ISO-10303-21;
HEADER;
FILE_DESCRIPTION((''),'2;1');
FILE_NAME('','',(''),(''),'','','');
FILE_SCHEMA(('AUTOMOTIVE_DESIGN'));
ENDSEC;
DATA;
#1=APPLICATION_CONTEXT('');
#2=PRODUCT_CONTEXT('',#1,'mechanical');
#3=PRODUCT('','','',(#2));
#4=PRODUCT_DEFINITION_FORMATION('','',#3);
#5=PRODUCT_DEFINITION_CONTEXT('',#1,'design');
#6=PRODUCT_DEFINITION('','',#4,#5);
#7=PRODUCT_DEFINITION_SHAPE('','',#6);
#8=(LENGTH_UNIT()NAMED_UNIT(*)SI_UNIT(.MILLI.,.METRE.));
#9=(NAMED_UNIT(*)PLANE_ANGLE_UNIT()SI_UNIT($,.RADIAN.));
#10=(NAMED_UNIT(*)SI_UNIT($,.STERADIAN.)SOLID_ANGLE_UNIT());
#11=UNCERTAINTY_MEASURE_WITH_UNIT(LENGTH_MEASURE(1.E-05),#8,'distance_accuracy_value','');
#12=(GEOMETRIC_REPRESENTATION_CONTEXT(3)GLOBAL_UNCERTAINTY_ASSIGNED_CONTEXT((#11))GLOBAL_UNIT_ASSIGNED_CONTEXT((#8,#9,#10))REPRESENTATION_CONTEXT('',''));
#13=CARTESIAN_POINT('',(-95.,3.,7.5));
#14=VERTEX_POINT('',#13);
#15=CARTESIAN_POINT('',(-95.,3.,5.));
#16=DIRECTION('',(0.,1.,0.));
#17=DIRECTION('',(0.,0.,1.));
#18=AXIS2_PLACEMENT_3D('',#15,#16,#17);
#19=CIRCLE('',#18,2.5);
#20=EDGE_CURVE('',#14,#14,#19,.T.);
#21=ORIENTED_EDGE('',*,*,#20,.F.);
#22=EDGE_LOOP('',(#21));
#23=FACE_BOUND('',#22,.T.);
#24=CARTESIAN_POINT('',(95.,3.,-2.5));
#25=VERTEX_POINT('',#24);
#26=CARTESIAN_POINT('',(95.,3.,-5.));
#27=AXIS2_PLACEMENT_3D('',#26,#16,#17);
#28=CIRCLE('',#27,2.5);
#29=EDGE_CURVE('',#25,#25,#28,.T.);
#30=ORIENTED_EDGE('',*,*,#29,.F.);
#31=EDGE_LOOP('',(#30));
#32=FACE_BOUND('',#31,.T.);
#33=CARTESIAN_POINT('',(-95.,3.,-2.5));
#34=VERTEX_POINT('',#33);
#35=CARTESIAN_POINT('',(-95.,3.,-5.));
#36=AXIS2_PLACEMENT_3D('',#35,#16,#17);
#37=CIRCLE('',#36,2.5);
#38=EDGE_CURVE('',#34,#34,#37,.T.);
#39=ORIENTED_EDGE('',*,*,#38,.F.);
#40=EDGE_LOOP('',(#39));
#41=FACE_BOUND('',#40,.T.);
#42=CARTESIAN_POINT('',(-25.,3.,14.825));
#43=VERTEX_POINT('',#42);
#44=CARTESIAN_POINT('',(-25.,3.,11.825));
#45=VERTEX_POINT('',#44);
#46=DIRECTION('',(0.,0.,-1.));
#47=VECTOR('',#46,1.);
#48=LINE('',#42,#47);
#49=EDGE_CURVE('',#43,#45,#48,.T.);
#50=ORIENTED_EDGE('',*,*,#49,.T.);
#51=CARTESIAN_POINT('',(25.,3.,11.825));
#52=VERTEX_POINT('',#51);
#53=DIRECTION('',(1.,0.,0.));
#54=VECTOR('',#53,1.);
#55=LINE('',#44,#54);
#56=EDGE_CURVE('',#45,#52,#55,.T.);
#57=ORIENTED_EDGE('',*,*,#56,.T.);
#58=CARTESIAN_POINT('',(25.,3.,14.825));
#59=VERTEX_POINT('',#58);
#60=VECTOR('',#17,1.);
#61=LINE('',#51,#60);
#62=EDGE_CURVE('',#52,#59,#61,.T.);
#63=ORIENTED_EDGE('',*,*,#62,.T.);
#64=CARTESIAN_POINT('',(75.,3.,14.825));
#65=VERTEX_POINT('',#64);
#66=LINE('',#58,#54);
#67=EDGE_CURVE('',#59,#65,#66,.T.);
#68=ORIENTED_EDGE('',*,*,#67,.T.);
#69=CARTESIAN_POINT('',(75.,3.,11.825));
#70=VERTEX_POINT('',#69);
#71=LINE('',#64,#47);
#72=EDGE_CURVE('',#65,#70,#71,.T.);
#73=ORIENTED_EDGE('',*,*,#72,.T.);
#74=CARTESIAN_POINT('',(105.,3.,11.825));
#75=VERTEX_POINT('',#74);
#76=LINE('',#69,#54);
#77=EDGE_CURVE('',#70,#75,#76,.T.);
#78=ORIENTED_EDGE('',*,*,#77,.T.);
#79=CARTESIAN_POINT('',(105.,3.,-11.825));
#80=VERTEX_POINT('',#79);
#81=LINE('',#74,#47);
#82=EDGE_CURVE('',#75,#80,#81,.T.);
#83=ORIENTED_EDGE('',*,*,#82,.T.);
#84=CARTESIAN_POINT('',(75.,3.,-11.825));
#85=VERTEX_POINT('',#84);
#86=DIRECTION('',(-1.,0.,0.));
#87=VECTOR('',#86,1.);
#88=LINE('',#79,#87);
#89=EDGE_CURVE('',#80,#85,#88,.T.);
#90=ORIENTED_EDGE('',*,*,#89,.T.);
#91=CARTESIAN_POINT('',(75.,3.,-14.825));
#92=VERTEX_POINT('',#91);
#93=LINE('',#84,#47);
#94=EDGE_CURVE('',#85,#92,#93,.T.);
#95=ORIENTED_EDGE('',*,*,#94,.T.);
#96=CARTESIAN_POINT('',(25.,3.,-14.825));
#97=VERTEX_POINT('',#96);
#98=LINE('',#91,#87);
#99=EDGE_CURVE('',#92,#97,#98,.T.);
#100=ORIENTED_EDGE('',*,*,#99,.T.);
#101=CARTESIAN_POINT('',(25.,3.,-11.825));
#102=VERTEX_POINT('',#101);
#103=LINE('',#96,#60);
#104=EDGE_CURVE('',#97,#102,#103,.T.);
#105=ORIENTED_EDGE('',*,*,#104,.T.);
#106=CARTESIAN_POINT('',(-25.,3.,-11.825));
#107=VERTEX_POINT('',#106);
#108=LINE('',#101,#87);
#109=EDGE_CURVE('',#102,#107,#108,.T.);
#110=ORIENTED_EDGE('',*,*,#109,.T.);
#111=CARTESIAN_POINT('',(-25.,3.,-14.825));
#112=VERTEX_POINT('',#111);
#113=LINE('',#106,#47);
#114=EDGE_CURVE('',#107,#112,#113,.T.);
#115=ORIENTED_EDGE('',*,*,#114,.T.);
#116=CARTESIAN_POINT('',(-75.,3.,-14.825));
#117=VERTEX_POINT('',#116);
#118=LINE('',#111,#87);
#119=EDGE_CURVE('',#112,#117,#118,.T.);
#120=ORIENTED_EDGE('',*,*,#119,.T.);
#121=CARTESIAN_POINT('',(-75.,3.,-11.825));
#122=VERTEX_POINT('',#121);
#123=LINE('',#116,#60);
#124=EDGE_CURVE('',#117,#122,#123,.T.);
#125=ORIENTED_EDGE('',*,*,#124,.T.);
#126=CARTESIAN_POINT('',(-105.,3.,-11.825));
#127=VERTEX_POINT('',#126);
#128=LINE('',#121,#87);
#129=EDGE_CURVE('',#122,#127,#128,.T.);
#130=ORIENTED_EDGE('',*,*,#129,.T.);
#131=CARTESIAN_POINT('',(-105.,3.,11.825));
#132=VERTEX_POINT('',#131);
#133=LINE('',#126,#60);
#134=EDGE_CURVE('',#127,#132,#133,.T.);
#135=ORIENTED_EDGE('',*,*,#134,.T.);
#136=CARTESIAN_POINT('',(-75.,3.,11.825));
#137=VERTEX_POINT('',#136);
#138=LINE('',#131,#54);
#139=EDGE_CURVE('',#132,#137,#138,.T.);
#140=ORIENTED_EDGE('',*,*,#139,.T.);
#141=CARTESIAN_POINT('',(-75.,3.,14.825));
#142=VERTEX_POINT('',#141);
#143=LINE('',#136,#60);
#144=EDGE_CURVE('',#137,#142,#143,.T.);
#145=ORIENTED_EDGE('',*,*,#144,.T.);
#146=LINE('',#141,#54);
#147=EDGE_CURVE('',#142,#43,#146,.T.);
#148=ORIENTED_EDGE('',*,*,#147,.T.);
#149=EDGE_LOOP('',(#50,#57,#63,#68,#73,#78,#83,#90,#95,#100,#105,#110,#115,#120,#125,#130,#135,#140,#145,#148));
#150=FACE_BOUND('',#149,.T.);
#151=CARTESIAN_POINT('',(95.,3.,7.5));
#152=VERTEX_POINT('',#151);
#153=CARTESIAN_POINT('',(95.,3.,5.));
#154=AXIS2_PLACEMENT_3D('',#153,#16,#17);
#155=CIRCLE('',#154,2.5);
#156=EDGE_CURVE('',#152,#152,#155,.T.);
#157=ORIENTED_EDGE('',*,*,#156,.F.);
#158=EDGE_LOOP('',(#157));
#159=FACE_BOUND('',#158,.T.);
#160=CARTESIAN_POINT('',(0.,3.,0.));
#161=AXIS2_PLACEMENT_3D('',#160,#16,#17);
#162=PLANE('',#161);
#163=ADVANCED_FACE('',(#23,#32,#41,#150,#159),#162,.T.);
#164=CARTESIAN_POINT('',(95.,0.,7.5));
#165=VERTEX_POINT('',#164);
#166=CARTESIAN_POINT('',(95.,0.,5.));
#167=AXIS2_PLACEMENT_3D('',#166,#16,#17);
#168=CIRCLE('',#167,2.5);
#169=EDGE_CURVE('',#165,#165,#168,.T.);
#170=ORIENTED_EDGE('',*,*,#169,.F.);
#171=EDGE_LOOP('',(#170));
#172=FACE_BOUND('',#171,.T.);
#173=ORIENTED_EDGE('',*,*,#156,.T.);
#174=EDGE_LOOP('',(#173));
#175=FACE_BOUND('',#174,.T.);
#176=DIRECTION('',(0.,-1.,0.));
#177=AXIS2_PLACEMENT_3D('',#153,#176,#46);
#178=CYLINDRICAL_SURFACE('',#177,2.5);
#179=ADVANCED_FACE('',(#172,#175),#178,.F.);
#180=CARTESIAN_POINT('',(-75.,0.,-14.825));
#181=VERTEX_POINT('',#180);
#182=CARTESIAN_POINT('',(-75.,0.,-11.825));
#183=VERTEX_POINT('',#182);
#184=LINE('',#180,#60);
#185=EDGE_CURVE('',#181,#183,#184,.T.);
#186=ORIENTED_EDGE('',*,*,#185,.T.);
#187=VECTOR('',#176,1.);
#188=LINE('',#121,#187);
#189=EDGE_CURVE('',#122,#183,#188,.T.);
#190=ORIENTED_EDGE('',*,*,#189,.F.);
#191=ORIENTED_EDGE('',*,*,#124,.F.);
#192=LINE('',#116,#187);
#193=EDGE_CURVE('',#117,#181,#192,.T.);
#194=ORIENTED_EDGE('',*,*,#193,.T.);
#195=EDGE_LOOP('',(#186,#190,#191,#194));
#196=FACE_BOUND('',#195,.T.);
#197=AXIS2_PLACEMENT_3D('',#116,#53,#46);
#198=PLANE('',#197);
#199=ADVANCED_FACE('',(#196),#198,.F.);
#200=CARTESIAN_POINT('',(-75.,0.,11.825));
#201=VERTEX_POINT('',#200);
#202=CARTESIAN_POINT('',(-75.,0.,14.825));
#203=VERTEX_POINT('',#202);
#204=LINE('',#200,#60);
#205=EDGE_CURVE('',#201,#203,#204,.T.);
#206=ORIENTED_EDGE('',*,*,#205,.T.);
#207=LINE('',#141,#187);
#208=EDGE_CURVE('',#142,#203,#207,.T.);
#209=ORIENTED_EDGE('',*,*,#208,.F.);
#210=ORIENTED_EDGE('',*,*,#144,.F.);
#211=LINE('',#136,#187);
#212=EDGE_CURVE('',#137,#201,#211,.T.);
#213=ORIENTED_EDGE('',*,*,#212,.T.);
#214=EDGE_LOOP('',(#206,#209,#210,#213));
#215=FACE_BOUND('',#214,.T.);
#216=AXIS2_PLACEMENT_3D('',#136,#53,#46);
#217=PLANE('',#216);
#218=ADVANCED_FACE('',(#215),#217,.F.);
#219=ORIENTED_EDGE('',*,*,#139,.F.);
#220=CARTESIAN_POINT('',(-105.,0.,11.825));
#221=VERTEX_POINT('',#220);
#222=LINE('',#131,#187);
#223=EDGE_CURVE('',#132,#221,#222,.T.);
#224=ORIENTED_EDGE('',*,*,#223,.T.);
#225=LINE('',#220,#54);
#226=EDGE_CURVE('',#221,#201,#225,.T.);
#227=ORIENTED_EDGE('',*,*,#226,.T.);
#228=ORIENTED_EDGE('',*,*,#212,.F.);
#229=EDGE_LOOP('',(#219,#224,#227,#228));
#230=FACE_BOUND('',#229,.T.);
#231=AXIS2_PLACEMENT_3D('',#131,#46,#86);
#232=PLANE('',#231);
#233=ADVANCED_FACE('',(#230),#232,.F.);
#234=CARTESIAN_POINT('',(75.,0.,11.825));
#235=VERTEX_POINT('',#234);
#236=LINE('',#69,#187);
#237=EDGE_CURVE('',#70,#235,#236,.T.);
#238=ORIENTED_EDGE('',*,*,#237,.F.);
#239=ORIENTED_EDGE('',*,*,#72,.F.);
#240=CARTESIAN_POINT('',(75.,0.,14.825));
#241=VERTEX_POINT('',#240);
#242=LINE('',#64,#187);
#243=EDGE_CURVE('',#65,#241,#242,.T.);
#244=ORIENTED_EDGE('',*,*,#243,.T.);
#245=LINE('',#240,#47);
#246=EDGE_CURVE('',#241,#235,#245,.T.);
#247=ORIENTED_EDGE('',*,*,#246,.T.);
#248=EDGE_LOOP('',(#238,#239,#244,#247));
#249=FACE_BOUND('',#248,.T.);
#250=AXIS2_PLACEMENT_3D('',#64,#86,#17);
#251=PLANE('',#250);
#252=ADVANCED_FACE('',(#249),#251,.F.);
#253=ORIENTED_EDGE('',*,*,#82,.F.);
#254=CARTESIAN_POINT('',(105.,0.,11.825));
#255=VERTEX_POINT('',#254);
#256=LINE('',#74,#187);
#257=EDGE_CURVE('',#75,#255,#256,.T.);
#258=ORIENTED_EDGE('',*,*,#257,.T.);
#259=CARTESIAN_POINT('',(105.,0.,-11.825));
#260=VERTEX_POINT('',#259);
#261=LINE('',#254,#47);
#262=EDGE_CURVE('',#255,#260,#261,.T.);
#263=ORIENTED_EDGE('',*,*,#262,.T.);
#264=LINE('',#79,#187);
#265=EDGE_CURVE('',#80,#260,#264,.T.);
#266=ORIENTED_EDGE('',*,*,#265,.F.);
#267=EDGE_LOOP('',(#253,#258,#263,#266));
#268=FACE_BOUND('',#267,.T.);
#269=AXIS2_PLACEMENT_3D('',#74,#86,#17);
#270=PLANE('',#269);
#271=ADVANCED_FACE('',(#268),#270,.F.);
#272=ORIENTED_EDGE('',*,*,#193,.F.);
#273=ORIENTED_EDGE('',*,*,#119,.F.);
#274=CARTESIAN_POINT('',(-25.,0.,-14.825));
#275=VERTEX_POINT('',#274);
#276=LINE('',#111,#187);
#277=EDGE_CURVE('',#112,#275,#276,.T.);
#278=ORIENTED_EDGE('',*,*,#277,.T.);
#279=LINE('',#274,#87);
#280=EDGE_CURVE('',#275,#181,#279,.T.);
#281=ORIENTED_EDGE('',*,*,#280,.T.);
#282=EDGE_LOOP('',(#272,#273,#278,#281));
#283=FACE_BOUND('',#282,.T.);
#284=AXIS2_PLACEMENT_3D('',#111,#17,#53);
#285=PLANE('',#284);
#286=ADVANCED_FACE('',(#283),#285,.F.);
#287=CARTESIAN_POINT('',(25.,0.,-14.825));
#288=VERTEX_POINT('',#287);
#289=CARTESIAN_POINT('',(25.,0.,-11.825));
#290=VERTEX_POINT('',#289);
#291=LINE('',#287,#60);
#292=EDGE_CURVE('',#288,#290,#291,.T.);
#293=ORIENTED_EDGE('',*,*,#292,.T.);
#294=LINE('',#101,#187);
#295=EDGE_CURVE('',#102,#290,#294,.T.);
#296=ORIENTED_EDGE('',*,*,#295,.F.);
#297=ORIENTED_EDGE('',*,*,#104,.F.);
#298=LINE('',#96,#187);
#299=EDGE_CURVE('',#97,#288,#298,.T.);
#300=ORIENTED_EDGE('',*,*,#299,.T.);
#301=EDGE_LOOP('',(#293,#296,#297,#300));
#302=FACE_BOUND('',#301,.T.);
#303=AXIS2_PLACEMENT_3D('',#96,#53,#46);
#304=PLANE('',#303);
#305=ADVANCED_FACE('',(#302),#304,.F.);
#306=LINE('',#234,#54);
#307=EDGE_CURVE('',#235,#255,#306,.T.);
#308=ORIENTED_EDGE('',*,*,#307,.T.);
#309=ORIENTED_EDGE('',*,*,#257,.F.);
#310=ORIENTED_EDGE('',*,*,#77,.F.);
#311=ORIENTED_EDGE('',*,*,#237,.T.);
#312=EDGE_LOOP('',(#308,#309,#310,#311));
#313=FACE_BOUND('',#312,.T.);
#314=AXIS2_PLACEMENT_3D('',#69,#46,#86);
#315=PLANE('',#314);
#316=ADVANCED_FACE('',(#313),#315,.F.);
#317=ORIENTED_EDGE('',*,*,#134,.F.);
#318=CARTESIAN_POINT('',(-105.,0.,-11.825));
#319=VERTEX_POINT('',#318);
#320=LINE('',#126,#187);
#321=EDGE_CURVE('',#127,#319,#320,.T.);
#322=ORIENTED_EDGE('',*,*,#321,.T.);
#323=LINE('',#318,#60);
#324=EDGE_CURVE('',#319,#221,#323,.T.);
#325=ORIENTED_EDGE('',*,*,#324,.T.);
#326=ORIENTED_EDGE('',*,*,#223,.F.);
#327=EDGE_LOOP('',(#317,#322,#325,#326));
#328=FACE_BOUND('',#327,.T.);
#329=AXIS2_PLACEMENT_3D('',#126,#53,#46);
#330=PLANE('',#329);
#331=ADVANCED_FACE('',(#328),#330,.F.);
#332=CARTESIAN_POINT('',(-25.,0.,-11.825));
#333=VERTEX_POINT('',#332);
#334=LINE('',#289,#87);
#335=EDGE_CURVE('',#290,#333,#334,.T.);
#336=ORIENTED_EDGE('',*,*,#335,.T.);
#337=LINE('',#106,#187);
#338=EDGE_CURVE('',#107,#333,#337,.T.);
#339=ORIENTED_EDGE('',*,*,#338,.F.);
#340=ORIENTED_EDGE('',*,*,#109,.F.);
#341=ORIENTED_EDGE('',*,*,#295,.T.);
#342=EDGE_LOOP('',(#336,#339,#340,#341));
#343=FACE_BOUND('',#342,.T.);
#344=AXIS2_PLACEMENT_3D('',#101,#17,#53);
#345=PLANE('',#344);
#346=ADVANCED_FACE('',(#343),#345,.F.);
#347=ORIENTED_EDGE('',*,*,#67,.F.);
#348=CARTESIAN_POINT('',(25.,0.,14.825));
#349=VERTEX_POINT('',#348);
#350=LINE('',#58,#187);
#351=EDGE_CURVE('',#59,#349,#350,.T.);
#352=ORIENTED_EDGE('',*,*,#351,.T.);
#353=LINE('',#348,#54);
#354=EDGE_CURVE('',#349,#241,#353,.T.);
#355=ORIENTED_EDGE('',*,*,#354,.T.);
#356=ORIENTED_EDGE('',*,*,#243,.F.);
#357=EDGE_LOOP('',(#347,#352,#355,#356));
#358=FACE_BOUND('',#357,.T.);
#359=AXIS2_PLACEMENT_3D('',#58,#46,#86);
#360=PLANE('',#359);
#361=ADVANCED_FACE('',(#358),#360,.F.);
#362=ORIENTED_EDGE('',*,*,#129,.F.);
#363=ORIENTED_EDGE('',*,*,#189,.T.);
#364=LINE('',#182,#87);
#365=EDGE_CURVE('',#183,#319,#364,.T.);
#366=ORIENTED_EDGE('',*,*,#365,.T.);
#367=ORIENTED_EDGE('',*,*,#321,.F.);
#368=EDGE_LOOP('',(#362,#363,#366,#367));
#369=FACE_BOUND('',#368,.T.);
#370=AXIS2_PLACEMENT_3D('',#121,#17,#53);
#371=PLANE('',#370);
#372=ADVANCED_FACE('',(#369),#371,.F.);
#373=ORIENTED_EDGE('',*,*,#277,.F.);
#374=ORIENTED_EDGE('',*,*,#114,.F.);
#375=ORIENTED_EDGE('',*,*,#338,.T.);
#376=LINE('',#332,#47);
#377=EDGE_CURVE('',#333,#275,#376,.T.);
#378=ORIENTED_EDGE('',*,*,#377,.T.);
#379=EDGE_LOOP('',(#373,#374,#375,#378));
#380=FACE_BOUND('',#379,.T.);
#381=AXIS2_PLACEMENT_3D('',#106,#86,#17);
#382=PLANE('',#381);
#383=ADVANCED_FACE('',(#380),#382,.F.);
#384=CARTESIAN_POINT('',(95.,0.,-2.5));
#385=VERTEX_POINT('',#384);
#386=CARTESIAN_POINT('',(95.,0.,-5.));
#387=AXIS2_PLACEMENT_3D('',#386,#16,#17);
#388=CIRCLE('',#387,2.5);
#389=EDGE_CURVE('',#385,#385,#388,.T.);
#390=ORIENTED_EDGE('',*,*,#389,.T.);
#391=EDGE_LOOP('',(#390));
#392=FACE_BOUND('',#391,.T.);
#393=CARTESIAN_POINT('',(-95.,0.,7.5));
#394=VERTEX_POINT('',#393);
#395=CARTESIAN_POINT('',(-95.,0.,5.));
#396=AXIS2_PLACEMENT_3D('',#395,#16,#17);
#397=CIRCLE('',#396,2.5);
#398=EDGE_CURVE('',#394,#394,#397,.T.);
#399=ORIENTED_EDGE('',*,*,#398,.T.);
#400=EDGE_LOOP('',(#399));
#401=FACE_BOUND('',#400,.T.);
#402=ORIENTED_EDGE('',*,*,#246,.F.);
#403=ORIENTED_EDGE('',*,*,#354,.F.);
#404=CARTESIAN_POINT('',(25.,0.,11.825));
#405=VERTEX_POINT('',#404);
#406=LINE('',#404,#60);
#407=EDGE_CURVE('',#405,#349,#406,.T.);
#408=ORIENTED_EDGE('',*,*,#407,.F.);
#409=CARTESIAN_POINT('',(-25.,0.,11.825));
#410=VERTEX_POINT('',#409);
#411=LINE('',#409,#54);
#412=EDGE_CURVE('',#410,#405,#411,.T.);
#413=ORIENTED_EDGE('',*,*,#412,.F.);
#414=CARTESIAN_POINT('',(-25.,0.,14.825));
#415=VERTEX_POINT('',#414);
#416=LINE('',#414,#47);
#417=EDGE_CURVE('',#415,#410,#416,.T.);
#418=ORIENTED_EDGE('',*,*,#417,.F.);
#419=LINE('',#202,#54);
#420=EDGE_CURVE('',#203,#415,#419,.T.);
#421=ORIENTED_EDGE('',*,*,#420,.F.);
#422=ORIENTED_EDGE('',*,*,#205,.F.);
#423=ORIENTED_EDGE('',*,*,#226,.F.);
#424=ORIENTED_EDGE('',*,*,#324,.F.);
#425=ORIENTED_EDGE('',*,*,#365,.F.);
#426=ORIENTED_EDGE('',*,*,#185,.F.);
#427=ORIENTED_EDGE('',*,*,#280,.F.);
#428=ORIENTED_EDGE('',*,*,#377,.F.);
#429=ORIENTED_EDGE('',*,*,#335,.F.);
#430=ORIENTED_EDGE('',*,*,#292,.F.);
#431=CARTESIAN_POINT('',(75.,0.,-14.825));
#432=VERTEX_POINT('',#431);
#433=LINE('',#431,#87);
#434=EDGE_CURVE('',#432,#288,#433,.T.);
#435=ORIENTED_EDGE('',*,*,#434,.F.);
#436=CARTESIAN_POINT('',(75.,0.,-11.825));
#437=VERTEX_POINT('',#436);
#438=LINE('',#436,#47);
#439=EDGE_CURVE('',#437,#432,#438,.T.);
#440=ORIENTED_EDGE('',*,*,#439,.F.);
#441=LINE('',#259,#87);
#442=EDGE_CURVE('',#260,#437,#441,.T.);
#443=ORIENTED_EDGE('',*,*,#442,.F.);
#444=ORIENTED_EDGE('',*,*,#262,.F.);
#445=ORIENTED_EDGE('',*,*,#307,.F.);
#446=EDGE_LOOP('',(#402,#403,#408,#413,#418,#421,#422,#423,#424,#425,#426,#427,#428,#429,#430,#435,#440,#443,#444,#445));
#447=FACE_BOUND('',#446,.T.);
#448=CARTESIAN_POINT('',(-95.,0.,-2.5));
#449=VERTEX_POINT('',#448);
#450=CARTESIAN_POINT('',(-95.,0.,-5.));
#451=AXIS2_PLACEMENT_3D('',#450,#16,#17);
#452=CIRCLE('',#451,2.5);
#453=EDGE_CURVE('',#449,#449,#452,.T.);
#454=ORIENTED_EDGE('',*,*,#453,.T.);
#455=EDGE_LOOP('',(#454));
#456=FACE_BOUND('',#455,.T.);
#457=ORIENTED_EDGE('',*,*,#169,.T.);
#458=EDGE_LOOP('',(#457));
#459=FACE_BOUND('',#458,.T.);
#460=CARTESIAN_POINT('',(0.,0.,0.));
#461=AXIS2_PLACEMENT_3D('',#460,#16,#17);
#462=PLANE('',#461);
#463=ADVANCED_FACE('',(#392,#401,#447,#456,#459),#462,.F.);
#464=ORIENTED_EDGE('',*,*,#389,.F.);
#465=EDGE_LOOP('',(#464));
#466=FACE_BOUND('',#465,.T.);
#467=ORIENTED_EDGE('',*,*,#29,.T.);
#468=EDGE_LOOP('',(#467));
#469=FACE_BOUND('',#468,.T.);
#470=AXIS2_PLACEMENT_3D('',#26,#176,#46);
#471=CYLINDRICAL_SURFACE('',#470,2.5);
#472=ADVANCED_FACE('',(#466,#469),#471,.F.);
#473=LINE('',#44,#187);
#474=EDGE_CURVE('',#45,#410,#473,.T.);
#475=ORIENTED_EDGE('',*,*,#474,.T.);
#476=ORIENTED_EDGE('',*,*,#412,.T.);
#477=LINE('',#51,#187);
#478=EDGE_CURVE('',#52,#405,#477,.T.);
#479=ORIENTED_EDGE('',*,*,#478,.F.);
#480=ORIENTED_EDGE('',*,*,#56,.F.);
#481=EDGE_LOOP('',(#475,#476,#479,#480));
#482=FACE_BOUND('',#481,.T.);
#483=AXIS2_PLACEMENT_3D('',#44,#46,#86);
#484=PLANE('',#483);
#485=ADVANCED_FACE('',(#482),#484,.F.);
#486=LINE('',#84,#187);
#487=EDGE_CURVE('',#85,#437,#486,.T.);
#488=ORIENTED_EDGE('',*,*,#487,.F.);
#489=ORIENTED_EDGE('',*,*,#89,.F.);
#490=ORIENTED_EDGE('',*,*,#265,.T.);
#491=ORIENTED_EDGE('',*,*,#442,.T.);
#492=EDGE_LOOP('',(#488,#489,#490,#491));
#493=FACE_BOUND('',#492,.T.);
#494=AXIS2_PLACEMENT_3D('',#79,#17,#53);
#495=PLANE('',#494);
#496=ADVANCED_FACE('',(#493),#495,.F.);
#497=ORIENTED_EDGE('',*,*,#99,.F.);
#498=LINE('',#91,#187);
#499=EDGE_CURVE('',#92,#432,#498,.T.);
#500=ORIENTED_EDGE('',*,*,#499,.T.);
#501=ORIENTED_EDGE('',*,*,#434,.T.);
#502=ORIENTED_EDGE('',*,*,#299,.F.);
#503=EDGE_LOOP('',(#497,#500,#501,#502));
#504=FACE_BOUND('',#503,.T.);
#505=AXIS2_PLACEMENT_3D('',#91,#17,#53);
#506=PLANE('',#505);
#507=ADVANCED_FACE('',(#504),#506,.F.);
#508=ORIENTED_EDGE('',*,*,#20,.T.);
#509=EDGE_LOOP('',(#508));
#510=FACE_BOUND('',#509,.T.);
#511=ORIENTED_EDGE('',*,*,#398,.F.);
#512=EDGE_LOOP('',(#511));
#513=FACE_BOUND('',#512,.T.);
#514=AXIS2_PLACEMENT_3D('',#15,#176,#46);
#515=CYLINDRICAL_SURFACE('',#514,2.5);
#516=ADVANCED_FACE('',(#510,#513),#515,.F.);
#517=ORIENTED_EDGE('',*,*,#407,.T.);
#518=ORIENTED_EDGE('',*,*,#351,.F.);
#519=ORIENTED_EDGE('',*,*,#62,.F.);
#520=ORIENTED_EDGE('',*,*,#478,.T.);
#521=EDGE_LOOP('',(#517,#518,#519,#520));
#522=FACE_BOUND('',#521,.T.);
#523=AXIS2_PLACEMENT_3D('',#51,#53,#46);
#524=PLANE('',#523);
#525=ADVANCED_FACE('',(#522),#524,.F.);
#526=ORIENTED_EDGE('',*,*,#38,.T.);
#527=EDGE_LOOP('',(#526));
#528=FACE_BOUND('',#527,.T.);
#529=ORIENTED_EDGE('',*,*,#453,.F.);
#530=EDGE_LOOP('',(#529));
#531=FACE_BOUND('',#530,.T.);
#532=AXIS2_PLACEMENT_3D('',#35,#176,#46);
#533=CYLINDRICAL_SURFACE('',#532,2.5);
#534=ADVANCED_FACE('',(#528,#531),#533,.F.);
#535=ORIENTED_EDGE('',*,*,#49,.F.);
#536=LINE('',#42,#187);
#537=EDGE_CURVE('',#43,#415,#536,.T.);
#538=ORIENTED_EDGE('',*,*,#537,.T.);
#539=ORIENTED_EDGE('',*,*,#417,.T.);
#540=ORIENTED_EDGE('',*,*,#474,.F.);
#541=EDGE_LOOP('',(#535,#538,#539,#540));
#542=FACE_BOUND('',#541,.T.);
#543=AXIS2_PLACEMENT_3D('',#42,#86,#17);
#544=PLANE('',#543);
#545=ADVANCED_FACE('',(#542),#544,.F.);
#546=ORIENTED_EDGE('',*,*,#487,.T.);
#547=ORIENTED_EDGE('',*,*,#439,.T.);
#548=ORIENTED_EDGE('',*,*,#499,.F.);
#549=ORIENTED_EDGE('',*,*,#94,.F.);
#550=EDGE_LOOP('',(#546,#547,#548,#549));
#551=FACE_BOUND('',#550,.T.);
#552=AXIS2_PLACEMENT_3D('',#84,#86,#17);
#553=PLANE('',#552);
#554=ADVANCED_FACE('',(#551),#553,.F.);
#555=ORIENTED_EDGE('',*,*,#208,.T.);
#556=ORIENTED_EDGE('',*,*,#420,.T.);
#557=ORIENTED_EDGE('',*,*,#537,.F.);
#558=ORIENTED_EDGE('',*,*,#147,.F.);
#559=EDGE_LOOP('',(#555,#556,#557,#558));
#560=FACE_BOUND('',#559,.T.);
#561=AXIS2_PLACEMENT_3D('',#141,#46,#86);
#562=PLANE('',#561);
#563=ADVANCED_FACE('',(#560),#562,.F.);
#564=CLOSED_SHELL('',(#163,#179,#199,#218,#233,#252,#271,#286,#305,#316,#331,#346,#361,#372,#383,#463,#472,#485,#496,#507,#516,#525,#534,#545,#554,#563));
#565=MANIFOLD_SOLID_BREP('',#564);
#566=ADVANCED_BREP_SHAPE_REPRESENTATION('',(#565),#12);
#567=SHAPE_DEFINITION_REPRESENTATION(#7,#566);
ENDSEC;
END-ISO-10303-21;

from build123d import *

# Parameters (mm, degrees)
SKETCH1_R           = 2.5
BOSS_EXTRUDE1_DEPTH = 3


with BuildPart() as part:
    # Sketch1 → Boss-Extrude1 (new body)
    with BuildSketch(Plane(origin=(0, 0, 0), x_dir=(1, 0, 0), z_dir=(0, 1, 0))):
        Polygon((-105, -11.825), (-75, -11.825), (-75, -14.825), (-25, -14.825), (-25, -11.825), (25, -11.825), (25, -14.825), (75, -14.825), (75, -11.825), (105, -11.825), (105, 11.825), (75, 11.825), (75, 14.825), (25, 14.825), (25, 11.825), (-25, 11.825), (-25, 14.825), (-75, 14.825), (-75, 11.825), (-105, 11.825), align=None)
        with Locations(Location((-95, 5, 0), (0, 0, 270))):
            Circle(SKETCH1_R, mode=Mode.SUBTRACT)
        with Locations(Location((-95, -5, 0), (0, 0, 270))):
            Circle(SKETCH1_R, mode=Mode.SUBTRACT)
        with Locations(Location((95, 5, 0), (0, 0, 270))):
            Circle(SKETCH1_R, mode=Mode.SUBTRACT)
        with Locations(Location((95, -5, 0), (0, 0, 270))):
            Circle(SKETCH1_R, mode=Mode.SUBTRACT)
    extrude(amount=BOSS_EXTRUDE1_DEPTH)


solid = part.part
